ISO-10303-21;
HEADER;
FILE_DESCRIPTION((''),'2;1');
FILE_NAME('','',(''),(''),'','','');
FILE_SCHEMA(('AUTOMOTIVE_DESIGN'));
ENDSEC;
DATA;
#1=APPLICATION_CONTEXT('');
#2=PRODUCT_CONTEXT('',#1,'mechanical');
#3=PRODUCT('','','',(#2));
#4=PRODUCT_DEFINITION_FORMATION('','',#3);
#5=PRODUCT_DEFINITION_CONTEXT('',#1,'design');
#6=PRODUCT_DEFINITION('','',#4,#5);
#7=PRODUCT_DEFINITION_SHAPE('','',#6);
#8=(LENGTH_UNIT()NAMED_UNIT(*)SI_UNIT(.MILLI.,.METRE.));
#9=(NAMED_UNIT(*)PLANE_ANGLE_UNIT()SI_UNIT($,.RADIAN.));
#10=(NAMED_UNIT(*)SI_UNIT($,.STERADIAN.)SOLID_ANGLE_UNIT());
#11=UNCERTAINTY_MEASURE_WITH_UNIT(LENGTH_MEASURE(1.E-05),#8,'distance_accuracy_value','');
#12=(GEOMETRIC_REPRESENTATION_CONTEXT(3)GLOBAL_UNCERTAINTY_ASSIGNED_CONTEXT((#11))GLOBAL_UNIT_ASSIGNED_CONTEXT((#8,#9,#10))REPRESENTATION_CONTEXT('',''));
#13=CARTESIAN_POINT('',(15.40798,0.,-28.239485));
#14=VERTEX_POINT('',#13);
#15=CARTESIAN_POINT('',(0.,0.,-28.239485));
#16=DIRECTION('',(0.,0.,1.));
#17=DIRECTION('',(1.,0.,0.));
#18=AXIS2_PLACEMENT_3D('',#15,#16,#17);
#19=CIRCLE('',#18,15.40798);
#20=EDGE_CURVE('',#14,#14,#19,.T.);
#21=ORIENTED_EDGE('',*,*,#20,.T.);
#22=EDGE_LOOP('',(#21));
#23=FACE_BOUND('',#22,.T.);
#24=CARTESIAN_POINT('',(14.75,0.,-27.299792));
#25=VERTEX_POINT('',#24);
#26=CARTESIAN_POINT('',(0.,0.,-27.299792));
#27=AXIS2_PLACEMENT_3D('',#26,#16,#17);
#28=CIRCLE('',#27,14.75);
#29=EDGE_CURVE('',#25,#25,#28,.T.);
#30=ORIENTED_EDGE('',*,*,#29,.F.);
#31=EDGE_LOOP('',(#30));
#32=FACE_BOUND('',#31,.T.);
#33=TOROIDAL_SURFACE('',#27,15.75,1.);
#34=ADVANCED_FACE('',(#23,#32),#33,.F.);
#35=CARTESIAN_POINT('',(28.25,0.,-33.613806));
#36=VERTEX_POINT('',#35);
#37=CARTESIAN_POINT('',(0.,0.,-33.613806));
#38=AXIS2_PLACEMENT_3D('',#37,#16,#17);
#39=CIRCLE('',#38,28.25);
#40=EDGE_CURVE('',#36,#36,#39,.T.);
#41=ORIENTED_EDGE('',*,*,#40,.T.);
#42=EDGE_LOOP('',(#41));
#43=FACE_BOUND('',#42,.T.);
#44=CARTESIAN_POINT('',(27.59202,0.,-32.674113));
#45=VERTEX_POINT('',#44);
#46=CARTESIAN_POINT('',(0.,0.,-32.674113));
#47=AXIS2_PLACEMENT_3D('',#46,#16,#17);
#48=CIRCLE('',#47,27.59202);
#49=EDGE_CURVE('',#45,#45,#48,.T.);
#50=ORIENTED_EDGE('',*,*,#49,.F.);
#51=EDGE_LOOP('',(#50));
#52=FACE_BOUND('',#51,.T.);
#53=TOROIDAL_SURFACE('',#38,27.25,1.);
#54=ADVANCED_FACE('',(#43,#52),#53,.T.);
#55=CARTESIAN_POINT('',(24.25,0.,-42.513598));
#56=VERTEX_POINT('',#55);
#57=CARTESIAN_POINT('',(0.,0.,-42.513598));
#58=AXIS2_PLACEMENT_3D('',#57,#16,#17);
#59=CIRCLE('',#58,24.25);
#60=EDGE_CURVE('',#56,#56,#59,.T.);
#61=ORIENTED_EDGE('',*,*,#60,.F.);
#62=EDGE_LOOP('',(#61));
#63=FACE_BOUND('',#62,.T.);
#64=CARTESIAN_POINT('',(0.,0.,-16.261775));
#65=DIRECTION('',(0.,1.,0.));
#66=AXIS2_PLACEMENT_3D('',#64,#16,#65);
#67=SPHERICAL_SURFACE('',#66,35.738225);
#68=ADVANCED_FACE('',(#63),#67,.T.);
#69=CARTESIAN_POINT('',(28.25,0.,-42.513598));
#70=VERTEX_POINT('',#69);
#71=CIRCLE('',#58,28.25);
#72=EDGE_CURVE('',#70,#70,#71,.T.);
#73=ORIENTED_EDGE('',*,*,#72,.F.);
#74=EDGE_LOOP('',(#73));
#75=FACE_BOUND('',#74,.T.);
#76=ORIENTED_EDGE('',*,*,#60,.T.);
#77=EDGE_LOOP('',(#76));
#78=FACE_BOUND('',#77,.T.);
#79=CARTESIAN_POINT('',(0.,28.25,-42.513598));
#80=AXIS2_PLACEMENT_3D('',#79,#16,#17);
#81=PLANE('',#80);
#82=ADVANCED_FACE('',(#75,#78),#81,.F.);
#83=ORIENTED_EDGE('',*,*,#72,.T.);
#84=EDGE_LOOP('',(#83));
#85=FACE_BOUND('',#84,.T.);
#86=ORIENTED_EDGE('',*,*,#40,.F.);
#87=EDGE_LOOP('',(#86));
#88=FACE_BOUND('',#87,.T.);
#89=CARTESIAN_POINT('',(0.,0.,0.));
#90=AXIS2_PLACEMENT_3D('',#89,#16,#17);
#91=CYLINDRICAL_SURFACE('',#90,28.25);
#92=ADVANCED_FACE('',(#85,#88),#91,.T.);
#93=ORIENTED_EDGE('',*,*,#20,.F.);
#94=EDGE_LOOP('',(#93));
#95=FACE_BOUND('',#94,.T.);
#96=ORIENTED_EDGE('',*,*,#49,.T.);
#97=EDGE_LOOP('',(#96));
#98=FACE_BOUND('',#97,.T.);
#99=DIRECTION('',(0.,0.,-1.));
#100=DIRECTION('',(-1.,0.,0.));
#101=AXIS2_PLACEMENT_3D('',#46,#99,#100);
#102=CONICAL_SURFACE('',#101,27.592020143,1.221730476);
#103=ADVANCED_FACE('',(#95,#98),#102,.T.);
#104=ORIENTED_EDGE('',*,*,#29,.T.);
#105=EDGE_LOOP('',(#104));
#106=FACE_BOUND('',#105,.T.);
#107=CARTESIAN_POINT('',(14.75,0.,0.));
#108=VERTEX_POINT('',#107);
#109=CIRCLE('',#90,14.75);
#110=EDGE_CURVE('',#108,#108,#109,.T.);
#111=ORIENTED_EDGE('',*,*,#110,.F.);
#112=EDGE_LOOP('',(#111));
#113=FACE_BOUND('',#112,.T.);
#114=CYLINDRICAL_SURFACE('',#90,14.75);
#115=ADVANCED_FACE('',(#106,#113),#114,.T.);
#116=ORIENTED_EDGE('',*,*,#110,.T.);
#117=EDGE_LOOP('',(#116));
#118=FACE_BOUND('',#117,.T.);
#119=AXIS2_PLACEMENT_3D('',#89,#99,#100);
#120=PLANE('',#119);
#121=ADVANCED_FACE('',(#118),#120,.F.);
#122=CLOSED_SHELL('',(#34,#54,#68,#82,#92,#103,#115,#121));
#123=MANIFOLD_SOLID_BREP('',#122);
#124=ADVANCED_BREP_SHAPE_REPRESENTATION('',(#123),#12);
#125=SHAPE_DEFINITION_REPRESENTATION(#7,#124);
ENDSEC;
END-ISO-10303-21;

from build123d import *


with BuildPart() as part:
    # Sketch1 → Revolve1 (revolve)
    with BuildSketch(Plane(origin=(0, 0, 0), x_dir=(0, 0, -1), z_dir=(1, 0, 0))):
        with BuildLine():
            Line((0, 0), (0, 14.75))
            Line((0, 14.75), (27.299792462, 14.75))
            ThreePointArc((27.299792462, 14.75), (27.873368898, 14.930847956), (28.239485083, 15.407979857))
            Line((28.239485083, 15.407979857), (32.67411308, 27.592020143))
            ThreePointArc((32.67411308, 27.592020143), (33.040229264, 28.069152044), (33.613805701, 28.25))
            Line((33.613805701, 28.25), (42.513598163, 28.25))
            Line((42.513598163, 28.25), (42.513598163, 24.25))
            ThreePointArc((42.513598163, 24.25), (49.544009667, 13.019738091), (52, 0))
            Line((52, 0), (0, 0))
        make_face()
    revolve(axis=Axis((0, 0, 0), (0, 0, -1)))


solid = part.part
